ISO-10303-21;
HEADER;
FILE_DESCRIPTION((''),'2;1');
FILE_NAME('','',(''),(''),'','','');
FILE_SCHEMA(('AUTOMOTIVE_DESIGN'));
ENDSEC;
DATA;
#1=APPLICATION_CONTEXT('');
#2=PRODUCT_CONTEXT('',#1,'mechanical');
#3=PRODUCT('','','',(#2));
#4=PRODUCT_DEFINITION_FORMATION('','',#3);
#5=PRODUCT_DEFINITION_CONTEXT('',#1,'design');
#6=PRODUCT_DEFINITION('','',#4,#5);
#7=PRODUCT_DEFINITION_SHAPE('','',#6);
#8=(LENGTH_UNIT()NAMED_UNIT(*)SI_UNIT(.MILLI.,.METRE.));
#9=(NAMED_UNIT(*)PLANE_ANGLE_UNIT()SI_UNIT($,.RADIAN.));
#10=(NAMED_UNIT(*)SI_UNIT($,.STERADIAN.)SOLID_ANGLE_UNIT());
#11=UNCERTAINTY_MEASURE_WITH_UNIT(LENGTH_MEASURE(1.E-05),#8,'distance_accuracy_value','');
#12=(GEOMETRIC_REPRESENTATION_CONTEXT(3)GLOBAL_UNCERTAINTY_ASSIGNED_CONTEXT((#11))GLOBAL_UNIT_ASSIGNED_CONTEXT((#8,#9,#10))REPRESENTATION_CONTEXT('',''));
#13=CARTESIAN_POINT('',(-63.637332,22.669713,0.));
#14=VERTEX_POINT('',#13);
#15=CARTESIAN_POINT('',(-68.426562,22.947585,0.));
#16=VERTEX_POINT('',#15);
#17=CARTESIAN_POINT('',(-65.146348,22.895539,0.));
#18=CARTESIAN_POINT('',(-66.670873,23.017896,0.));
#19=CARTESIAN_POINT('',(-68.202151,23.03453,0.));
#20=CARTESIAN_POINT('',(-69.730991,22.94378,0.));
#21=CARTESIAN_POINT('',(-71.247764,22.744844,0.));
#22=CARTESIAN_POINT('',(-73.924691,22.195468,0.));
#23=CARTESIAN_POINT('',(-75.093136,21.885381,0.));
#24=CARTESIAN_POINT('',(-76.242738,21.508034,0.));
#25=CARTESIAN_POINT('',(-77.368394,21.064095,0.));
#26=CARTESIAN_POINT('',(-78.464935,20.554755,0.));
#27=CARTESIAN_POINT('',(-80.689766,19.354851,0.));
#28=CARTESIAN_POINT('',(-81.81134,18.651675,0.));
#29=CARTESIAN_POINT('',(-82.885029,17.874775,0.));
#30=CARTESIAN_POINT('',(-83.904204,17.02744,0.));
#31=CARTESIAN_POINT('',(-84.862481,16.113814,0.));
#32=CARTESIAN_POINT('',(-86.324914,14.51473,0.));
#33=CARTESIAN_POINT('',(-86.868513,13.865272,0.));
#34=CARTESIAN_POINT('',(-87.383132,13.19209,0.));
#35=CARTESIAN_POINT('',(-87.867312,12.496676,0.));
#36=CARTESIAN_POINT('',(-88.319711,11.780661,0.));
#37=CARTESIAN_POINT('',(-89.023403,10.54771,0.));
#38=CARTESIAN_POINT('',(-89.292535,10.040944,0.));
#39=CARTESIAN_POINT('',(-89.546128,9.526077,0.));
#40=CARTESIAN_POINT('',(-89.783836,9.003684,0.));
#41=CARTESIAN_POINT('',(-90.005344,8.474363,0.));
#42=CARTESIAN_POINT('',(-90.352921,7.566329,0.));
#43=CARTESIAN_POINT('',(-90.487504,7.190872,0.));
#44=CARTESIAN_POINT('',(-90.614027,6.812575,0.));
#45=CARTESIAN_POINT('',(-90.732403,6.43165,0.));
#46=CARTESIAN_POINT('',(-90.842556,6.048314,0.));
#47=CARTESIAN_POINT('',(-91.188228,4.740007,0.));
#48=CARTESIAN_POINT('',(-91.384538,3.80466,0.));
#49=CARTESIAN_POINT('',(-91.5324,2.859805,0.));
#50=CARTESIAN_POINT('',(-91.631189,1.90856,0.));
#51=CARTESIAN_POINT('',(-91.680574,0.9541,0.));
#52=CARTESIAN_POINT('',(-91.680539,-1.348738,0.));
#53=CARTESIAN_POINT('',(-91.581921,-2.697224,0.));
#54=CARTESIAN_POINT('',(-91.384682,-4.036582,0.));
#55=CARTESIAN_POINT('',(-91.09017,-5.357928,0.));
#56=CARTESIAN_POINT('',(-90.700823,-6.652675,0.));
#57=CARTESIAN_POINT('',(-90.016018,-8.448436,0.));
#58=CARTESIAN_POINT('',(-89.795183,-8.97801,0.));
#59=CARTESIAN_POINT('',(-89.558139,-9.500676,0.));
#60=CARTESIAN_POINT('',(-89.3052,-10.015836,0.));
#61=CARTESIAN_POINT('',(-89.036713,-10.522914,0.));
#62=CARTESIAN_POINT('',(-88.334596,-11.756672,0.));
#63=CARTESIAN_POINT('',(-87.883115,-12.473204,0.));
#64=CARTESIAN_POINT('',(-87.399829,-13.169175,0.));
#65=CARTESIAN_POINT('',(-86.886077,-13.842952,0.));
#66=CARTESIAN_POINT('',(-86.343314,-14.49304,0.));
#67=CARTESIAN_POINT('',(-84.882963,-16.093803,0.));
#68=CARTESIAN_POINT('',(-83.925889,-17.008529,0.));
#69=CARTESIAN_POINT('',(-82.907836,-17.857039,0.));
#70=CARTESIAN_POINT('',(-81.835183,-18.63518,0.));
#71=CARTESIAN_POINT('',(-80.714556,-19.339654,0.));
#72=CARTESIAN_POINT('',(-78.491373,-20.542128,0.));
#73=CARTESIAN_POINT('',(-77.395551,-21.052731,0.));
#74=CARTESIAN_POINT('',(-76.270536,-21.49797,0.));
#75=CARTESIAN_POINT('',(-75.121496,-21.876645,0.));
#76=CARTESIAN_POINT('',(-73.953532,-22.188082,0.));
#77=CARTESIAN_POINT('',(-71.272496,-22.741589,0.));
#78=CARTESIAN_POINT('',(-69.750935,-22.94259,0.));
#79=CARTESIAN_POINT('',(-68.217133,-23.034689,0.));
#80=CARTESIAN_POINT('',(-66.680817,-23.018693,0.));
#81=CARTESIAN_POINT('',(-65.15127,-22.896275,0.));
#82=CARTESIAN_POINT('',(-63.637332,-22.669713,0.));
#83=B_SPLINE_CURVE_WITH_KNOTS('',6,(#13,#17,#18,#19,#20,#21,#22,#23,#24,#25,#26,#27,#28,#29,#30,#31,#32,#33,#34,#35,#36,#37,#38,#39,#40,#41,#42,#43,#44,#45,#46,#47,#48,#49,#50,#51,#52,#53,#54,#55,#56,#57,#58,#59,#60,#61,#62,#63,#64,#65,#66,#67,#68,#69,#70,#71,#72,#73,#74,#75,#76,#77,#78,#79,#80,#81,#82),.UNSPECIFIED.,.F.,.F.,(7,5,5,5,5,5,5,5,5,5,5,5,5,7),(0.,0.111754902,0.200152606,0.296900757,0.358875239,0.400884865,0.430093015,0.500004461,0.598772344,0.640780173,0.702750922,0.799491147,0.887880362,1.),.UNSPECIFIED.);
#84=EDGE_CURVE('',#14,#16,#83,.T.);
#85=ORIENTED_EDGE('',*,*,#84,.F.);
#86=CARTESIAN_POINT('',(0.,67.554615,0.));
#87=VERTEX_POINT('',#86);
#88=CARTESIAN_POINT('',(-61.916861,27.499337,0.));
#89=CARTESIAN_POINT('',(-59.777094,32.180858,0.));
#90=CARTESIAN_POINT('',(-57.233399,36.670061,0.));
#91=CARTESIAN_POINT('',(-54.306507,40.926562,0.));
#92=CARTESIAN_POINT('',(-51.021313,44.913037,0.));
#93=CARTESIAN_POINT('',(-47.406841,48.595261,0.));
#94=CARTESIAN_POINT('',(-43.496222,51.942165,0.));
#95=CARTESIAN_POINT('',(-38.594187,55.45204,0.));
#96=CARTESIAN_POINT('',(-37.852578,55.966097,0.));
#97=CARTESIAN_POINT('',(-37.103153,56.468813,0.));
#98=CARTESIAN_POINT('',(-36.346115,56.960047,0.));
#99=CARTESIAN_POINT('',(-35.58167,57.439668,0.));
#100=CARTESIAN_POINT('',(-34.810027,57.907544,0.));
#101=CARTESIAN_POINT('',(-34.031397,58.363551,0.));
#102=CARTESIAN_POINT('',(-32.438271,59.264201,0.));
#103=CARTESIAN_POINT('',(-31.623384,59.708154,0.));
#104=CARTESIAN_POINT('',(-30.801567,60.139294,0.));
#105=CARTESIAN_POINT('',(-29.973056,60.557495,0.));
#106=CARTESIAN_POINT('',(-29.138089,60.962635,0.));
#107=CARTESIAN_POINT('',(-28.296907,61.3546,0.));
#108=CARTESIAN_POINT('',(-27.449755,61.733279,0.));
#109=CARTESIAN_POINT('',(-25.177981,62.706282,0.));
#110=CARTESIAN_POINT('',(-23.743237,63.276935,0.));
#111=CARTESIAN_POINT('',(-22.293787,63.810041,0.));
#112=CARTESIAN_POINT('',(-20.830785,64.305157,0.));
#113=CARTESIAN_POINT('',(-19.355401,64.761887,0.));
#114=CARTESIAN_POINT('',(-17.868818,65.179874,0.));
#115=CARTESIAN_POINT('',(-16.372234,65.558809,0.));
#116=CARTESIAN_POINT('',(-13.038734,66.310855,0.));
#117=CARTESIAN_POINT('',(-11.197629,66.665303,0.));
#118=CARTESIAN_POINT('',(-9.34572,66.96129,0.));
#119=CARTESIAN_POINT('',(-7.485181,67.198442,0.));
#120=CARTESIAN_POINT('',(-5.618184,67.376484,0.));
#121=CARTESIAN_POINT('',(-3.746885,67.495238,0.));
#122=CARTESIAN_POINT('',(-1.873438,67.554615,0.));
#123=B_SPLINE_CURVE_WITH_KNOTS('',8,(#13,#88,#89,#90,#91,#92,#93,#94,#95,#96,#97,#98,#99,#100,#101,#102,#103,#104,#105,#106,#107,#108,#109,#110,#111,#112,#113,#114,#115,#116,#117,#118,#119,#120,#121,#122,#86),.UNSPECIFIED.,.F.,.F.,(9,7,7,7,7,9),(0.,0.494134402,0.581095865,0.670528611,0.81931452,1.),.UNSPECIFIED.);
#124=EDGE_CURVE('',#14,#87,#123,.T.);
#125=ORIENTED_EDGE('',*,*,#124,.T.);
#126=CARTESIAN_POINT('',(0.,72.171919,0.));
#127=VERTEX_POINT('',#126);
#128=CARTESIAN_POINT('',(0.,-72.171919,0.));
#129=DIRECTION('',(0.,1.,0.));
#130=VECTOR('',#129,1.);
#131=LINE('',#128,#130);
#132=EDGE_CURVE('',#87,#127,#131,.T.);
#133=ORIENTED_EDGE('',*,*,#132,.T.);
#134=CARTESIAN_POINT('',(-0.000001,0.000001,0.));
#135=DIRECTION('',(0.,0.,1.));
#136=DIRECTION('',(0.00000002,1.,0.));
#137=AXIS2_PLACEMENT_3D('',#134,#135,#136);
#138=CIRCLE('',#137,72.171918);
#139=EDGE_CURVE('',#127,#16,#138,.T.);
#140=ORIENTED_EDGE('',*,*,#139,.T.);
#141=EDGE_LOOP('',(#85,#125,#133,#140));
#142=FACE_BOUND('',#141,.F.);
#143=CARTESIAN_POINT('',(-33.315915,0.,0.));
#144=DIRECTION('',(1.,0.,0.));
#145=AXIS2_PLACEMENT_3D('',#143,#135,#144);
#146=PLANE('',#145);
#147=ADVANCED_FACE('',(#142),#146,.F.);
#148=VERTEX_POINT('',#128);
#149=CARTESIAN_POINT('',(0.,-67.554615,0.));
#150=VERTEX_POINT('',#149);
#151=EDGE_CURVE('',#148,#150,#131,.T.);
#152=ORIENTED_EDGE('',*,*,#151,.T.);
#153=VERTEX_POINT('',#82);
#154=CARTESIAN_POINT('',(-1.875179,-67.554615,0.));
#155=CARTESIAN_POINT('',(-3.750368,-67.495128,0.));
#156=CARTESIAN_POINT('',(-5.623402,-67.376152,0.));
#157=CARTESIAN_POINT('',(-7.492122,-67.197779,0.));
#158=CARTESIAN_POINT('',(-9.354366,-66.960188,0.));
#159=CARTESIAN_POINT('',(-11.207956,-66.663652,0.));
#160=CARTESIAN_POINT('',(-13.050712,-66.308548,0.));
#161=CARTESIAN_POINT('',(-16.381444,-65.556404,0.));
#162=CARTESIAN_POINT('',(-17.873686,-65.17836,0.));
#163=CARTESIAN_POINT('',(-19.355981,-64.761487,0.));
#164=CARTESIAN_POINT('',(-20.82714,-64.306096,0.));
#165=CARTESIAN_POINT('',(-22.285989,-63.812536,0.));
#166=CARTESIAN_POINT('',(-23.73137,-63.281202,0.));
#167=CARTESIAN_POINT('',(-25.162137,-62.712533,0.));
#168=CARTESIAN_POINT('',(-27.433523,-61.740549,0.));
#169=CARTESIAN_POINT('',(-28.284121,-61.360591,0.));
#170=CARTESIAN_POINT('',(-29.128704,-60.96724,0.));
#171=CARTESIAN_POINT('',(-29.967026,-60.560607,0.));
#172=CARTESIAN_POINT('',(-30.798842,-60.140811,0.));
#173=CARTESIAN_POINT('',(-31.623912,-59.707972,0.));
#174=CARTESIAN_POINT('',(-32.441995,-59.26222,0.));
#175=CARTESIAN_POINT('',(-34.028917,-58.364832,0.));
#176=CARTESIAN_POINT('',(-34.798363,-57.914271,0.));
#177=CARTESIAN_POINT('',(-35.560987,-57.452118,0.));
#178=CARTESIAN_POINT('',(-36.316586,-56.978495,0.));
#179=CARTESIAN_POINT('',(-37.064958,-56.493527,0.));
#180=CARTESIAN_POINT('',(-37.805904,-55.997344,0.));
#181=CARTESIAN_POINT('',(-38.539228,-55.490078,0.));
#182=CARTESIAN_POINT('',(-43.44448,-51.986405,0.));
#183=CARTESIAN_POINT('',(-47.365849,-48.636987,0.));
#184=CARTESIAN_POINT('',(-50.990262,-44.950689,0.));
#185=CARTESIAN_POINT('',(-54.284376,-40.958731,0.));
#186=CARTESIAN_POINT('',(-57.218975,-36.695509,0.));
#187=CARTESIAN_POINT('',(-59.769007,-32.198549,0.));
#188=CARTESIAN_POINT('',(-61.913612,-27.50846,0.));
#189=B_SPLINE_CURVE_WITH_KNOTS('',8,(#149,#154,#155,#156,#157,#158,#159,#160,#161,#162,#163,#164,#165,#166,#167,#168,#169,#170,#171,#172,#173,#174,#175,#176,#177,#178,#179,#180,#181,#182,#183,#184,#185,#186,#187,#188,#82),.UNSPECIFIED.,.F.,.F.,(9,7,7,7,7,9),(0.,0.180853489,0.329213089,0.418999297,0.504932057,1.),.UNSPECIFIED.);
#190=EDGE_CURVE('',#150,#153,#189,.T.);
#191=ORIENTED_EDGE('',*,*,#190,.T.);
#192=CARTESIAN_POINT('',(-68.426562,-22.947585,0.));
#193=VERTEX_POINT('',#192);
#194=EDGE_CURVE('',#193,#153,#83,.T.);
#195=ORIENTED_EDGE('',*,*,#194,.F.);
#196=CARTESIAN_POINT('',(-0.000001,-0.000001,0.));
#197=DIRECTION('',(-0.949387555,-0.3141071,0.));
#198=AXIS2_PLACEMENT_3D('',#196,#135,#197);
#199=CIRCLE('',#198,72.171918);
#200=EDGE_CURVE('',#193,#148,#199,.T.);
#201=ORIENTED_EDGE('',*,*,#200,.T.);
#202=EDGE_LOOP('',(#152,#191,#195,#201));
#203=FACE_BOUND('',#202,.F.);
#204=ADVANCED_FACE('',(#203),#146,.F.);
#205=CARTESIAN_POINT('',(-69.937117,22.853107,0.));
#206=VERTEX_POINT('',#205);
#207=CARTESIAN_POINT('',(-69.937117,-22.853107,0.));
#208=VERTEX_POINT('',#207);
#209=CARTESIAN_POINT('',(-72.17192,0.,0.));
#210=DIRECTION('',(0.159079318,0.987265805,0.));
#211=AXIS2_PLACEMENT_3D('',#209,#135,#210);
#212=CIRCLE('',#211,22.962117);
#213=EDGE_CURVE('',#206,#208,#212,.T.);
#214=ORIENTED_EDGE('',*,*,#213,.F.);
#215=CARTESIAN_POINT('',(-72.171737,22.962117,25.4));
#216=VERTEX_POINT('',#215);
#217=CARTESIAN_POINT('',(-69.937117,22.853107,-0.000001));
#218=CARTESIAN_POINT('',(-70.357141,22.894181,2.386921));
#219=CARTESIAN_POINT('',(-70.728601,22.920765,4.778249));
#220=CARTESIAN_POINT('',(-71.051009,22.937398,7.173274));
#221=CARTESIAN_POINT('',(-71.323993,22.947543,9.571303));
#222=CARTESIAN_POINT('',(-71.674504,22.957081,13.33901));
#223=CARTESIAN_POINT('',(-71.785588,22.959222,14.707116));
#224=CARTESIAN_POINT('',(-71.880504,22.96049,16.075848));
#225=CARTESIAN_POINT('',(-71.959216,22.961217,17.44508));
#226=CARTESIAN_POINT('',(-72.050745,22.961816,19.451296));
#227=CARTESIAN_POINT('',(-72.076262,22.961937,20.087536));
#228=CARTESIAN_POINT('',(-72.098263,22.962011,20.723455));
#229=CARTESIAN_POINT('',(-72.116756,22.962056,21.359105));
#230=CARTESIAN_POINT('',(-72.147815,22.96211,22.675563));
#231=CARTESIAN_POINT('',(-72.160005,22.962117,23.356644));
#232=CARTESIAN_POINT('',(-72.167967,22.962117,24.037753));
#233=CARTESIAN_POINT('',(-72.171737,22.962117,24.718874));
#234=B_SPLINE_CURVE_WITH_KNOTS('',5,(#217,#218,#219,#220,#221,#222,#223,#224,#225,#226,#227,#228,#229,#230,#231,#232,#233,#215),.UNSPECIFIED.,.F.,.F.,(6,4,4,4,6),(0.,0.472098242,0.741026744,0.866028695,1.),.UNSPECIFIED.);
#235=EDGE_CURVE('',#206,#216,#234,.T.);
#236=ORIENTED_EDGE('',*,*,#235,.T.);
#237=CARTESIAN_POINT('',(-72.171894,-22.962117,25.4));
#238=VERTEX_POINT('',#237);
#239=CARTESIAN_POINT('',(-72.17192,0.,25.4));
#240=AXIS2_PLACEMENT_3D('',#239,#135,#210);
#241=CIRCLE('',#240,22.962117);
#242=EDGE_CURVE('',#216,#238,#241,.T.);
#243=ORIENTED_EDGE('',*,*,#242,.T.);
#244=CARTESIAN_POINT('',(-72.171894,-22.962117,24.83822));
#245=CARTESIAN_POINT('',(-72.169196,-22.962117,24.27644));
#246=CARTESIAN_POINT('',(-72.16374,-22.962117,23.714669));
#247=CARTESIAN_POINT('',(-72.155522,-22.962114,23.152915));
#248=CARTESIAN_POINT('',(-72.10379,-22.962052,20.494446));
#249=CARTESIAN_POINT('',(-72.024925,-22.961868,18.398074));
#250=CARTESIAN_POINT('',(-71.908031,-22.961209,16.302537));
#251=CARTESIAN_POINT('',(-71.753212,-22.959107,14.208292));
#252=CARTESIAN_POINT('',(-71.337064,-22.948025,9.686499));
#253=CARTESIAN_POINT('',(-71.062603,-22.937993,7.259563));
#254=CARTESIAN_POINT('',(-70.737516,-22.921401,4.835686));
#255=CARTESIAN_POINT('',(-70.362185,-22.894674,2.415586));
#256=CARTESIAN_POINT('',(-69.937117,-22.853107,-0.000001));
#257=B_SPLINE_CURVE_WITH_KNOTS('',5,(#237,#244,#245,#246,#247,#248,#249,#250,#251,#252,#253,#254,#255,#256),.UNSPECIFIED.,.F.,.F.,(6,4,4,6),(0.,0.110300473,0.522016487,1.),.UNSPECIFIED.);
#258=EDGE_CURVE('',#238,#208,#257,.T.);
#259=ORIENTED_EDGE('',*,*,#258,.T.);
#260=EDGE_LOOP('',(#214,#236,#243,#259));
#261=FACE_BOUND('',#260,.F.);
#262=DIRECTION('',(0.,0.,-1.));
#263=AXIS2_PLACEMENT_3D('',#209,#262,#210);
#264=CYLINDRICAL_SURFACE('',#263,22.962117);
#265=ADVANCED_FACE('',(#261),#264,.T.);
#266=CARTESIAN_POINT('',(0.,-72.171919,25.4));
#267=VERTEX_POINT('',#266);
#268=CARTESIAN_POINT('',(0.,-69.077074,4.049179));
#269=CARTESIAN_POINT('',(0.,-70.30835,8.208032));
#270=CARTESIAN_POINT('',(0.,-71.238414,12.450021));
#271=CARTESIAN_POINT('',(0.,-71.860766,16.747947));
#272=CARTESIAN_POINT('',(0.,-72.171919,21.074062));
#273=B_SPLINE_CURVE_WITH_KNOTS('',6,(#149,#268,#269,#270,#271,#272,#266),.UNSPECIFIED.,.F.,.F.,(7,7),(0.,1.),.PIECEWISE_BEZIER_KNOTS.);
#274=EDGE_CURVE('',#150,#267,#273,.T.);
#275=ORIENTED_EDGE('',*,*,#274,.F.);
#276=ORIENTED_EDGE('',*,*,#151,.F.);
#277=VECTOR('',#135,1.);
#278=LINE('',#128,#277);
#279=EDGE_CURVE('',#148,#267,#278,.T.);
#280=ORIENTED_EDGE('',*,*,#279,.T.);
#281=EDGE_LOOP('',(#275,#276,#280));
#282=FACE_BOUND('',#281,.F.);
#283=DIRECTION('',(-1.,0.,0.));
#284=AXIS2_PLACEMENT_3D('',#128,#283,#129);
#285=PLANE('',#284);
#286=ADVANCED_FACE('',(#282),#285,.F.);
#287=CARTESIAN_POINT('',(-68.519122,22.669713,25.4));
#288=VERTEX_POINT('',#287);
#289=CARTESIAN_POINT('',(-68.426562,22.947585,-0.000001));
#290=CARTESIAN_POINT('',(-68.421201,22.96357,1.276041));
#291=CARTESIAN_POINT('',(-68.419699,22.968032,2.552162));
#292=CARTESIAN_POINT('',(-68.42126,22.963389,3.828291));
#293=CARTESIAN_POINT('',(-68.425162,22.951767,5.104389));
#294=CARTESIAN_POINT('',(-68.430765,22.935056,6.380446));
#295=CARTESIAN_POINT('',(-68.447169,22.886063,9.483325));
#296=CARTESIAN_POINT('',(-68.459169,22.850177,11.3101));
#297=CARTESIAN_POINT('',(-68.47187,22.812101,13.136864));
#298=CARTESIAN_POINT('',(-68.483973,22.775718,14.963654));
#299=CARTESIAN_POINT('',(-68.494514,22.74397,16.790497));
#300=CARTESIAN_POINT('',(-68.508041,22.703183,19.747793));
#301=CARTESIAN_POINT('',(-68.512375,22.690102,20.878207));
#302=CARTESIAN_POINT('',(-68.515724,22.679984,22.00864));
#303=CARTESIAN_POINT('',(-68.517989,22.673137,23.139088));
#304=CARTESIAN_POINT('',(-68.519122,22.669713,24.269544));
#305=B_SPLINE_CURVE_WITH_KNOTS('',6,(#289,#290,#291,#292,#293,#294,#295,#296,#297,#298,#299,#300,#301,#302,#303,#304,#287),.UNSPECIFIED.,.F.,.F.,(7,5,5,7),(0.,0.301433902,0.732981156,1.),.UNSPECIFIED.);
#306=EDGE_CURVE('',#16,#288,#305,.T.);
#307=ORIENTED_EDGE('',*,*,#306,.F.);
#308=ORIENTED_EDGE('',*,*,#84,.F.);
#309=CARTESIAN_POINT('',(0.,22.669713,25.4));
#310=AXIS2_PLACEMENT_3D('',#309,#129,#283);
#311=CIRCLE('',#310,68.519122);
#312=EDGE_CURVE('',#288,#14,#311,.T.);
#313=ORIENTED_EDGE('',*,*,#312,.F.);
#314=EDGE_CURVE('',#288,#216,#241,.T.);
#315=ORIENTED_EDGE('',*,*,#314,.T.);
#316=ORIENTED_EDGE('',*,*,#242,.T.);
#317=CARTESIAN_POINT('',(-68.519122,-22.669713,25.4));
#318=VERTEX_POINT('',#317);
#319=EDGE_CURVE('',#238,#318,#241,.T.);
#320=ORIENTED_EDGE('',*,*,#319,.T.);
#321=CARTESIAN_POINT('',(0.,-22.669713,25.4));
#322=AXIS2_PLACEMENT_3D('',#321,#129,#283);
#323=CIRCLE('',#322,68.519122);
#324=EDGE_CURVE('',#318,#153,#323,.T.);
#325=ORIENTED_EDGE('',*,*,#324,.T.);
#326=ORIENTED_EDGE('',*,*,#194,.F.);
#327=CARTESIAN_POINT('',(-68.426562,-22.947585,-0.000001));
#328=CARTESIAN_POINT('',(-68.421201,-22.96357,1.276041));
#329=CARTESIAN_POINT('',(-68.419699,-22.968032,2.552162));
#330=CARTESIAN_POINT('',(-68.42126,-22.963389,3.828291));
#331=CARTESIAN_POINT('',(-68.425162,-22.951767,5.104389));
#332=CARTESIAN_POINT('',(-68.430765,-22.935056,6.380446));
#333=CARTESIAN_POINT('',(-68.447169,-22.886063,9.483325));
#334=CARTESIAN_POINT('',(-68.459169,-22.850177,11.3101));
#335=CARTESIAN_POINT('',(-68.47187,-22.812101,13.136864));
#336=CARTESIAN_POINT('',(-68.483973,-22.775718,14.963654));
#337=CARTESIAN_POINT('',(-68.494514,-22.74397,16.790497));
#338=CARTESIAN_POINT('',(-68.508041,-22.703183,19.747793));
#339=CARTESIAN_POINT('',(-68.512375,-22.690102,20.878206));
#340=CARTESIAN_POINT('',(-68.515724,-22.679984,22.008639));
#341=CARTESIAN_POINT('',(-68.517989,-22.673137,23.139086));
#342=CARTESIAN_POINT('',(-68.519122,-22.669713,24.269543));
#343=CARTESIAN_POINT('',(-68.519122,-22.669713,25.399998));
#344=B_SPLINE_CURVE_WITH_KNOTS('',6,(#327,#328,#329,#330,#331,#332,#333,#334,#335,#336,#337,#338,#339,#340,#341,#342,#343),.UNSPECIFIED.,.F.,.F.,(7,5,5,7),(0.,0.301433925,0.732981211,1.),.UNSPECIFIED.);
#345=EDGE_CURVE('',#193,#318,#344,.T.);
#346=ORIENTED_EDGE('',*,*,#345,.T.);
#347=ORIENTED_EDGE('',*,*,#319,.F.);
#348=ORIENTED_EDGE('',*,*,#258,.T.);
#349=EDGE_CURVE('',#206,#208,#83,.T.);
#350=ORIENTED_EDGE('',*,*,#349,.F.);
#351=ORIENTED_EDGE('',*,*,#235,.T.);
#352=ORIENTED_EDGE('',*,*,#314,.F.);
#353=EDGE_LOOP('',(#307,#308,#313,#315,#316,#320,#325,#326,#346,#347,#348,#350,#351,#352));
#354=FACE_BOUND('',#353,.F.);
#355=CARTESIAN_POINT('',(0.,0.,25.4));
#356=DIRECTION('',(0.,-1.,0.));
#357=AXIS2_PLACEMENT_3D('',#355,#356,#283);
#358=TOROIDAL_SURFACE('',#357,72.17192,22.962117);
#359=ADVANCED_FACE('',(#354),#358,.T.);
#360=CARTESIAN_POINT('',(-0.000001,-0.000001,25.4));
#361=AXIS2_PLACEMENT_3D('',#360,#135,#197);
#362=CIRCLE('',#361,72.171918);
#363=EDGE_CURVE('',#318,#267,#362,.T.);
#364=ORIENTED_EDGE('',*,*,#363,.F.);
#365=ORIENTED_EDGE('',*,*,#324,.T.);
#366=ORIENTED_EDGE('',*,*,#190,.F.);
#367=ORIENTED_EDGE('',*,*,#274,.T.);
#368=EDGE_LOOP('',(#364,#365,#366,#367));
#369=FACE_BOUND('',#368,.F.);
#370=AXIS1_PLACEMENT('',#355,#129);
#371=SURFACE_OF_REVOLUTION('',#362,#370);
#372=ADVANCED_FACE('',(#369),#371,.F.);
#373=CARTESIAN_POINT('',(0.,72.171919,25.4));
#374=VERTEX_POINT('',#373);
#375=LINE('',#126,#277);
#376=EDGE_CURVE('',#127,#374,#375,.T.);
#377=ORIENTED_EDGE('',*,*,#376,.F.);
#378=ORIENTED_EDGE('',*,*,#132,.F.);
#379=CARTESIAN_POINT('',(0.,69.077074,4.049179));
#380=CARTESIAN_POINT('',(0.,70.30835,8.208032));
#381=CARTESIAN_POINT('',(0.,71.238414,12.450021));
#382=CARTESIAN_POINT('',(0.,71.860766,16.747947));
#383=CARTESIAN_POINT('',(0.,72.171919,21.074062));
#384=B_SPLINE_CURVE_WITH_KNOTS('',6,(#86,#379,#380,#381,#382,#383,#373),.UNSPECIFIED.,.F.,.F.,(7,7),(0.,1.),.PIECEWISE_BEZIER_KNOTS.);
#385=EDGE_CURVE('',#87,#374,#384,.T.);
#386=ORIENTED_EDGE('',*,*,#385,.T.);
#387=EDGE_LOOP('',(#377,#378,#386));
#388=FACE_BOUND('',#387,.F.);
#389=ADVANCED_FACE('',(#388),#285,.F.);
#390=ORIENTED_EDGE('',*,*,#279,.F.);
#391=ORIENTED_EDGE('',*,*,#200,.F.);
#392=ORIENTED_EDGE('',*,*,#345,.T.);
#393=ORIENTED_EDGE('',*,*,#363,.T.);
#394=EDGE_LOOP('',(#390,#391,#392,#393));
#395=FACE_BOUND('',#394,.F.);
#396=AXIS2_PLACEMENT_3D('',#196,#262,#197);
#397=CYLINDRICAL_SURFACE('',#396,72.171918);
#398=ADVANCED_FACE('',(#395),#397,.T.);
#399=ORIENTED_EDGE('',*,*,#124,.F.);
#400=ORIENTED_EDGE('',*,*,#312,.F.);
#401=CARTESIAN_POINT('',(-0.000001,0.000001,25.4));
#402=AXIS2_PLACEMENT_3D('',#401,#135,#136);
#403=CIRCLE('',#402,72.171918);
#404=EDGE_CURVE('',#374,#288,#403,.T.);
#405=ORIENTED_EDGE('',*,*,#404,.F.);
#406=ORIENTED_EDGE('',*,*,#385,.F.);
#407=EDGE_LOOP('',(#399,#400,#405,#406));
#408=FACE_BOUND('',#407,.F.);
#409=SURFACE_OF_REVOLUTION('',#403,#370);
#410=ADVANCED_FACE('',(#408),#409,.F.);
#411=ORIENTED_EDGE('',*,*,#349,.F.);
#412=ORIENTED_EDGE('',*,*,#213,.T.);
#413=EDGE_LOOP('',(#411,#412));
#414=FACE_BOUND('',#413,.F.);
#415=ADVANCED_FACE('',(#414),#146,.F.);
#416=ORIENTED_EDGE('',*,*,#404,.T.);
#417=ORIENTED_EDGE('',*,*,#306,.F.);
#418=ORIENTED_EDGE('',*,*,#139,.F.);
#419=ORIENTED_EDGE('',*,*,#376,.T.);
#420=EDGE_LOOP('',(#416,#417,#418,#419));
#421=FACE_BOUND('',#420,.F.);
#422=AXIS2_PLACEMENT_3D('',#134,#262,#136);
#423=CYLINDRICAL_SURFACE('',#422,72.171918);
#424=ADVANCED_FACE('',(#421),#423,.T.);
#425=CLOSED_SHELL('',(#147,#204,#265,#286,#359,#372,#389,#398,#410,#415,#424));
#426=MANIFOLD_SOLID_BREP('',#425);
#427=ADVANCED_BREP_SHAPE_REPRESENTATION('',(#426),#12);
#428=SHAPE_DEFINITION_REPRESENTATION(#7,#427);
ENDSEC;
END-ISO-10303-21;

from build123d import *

# Parameters (mm, degrees)
F1_DEPTH = 25.4


with BuildPart() as f1:
    # F0 (on Top) → F1 (new body)
    with BuildSketch(Plane.XY):
        with BuildLine():
            ThreePointArc((-68.519122, 22.669713), (-95.134037, 0), (-68.519122, -22.669713))
            ThreePointArc((-68.519122, -22.669713), (-42.265052, -58.501721), (0, -72.171919))
            Line((0, -72.171919), (0, 72.171919))
            ThreePointArc((0, 72.171919), (-42.265052, 58.501721), (-68.519122, 22.669713))
        make_face()
    extrude(amount=F1_DEPTH)

    # F1_face (on face) → F2 (revolve)
    with BuildSketch(Plane(origin=(-35.565921, 0, 25.4), x_dir=(1, 0, 0), z_dir=(0, 0, 1))):
        with BuildLine():
            ThreePointArc((-32.953201, -22.669713), (-6.699131, -58.501721), (35.565921, -72.171919))
            Line((35.565921, -72.171919), (35.565921, 72.171919))
            ThreePointArc((35.565921, 72.171919), (-6.699131, 58.501721), (-32.953201, 22.669713))
            ThreePointArc((-32.953201, 22.669713), (-59.568116, 0), (-32.953201, -22.669713))
        make_face()
    revolve(axis=Axis((0, 0, 25.4), (0, 1, 0)))


solid = f1.part
